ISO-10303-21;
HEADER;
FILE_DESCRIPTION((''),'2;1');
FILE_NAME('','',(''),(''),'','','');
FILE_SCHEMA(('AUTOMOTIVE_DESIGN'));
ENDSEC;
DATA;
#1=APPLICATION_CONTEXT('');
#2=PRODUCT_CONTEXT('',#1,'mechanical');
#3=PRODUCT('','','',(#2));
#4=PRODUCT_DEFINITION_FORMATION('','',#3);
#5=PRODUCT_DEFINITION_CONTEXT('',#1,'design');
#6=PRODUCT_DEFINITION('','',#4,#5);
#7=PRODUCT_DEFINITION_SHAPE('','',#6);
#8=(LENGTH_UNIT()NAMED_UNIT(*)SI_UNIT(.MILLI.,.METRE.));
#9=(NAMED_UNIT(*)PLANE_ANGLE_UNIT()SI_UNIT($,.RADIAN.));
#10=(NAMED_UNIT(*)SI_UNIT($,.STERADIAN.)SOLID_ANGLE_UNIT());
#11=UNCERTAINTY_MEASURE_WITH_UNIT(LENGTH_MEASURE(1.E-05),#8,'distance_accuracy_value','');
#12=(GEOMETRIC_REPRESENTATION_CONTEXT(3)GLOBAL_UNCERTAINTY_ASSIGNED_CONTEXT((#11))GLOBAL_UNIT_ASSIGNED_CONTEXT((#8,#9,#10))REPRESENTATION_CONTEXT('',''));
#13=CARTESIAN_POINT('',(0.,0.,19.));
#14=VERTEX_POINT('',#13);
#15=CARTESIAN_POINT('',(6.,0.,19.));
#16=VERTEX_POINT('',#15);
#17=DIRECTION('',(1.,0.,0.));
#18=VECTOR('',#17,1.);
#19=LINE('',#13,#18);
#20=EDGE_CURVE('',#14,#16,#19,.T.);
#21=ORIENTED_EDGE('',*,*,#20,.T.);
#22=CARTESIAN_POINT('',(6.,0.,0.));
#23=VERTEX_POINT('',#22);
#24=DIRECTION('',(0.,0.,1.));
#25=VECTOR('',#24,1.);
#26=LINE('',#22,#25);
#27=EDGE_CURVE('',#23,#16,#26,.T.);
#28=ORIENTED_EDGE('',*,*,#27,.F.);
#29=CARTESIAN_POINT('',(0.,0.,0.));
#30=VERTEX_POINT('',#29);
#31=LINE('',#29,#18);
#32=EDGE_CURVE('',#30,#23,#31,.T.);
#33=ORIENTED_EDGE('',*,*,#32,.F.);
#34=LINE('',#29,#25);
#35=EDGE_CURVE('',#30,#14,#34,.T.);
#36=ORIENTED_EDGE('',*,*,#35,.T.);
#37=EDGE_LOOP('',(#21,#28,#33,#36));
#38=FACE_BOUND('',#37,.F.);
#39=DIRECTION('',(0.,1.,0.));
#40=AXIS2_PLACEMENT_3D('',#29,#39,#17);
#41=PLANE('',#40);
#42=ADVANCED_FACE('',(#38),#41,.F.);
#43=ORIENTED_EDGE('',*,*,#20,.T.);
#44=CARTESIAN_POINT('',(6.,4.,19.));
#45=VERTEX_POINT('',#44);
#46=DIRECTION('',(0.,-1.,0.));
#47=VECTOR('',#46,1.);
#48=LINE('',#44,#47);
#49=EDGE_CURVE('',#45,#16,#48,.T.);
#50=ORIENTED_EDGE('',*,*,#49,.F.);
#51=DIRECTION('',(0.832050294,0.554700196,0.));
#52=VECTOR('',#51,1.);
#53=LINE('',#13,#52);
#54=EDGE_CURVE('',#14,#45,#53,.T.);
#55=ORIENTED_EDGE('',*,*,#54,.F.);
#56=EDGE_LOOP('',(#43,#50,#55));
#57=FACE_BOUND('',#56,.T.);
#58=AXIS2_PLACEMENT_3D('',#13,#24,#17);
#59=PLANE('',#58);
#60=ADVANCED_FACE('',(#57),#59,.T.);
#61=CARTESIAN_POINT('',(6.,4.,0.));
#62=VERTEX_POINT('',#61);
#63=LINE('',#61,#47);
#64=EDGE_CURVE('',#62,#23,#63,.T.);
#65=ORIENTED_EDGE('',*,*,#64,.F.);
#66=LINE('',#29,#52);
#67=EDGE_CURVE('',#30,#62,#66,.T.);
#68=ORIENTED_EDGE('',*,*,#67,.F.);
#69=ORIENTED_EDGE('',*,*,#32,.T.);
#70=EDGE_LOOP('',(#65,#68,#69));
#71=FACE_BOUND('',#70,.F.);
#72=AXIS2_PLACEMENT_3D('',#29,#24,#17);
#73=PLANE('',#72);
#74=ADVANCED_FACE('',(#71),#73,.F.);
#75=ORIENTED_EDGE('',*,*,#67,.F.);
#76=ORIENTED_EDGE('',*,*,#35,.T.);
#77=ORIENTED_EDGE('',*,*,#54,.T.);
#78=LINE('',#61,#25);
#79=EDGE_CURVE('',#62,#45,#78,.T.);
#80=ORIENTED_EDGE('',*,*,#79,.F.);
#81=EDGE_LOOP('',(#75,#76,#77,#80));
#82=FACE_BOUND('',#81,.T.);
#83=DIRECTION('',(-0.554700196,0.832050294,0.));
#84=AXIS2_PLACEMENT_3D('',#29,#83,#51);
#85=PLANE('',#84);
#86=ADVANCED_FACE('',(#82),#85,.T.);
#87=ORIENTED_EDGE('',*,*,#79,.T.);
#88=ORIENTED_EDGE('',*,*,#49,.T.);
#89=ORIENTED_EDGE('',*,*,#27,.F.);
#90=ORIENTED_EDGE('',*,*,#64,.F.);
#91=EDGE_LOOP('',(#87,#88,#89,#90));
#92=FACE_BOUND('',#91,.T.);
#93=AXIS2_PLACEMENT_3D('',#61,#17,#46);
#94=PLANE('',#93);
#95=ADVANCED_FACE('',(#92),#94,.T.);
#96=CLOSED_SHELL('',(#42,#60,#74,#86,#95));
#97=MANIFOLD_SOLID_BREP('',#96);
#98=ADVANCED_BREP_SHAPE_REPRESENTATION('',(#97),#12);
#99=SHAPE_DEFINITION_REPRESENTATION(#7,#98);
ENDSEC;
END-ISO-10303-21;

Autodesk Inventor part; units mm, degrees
ref_plane "YZ Plane" through (0, 0, 0) normal (1, 0, 0) x (0, 1, 0)
ref_plane "XZ Plane" through (0, 0, 0) normal (0, 1, 0) x (-1, 0, 0)
ref_plane "XY Plane" through (0, 0, 0) normal (0, 0, 1) x (1, 0, 0)
sketch "Sketch1" plane through (0, 0, 0) normal (0, 0, 1) x (1, 0, 0)
  line L0 (0, 0) -> (6, 0)
  line L1 (0, 0) -> (6, 4)
  line L2 (0, 0) -> (7.2111, 0) construction
  line L3 (6, 4) -> (6, 0)
  dimension "d0" = 6
  dimension "d1" = 33.69
extrude "Extrusion1" add sketch "Sketch1" along normal blind 19
properties part number "200724 - 33-69 prism"
